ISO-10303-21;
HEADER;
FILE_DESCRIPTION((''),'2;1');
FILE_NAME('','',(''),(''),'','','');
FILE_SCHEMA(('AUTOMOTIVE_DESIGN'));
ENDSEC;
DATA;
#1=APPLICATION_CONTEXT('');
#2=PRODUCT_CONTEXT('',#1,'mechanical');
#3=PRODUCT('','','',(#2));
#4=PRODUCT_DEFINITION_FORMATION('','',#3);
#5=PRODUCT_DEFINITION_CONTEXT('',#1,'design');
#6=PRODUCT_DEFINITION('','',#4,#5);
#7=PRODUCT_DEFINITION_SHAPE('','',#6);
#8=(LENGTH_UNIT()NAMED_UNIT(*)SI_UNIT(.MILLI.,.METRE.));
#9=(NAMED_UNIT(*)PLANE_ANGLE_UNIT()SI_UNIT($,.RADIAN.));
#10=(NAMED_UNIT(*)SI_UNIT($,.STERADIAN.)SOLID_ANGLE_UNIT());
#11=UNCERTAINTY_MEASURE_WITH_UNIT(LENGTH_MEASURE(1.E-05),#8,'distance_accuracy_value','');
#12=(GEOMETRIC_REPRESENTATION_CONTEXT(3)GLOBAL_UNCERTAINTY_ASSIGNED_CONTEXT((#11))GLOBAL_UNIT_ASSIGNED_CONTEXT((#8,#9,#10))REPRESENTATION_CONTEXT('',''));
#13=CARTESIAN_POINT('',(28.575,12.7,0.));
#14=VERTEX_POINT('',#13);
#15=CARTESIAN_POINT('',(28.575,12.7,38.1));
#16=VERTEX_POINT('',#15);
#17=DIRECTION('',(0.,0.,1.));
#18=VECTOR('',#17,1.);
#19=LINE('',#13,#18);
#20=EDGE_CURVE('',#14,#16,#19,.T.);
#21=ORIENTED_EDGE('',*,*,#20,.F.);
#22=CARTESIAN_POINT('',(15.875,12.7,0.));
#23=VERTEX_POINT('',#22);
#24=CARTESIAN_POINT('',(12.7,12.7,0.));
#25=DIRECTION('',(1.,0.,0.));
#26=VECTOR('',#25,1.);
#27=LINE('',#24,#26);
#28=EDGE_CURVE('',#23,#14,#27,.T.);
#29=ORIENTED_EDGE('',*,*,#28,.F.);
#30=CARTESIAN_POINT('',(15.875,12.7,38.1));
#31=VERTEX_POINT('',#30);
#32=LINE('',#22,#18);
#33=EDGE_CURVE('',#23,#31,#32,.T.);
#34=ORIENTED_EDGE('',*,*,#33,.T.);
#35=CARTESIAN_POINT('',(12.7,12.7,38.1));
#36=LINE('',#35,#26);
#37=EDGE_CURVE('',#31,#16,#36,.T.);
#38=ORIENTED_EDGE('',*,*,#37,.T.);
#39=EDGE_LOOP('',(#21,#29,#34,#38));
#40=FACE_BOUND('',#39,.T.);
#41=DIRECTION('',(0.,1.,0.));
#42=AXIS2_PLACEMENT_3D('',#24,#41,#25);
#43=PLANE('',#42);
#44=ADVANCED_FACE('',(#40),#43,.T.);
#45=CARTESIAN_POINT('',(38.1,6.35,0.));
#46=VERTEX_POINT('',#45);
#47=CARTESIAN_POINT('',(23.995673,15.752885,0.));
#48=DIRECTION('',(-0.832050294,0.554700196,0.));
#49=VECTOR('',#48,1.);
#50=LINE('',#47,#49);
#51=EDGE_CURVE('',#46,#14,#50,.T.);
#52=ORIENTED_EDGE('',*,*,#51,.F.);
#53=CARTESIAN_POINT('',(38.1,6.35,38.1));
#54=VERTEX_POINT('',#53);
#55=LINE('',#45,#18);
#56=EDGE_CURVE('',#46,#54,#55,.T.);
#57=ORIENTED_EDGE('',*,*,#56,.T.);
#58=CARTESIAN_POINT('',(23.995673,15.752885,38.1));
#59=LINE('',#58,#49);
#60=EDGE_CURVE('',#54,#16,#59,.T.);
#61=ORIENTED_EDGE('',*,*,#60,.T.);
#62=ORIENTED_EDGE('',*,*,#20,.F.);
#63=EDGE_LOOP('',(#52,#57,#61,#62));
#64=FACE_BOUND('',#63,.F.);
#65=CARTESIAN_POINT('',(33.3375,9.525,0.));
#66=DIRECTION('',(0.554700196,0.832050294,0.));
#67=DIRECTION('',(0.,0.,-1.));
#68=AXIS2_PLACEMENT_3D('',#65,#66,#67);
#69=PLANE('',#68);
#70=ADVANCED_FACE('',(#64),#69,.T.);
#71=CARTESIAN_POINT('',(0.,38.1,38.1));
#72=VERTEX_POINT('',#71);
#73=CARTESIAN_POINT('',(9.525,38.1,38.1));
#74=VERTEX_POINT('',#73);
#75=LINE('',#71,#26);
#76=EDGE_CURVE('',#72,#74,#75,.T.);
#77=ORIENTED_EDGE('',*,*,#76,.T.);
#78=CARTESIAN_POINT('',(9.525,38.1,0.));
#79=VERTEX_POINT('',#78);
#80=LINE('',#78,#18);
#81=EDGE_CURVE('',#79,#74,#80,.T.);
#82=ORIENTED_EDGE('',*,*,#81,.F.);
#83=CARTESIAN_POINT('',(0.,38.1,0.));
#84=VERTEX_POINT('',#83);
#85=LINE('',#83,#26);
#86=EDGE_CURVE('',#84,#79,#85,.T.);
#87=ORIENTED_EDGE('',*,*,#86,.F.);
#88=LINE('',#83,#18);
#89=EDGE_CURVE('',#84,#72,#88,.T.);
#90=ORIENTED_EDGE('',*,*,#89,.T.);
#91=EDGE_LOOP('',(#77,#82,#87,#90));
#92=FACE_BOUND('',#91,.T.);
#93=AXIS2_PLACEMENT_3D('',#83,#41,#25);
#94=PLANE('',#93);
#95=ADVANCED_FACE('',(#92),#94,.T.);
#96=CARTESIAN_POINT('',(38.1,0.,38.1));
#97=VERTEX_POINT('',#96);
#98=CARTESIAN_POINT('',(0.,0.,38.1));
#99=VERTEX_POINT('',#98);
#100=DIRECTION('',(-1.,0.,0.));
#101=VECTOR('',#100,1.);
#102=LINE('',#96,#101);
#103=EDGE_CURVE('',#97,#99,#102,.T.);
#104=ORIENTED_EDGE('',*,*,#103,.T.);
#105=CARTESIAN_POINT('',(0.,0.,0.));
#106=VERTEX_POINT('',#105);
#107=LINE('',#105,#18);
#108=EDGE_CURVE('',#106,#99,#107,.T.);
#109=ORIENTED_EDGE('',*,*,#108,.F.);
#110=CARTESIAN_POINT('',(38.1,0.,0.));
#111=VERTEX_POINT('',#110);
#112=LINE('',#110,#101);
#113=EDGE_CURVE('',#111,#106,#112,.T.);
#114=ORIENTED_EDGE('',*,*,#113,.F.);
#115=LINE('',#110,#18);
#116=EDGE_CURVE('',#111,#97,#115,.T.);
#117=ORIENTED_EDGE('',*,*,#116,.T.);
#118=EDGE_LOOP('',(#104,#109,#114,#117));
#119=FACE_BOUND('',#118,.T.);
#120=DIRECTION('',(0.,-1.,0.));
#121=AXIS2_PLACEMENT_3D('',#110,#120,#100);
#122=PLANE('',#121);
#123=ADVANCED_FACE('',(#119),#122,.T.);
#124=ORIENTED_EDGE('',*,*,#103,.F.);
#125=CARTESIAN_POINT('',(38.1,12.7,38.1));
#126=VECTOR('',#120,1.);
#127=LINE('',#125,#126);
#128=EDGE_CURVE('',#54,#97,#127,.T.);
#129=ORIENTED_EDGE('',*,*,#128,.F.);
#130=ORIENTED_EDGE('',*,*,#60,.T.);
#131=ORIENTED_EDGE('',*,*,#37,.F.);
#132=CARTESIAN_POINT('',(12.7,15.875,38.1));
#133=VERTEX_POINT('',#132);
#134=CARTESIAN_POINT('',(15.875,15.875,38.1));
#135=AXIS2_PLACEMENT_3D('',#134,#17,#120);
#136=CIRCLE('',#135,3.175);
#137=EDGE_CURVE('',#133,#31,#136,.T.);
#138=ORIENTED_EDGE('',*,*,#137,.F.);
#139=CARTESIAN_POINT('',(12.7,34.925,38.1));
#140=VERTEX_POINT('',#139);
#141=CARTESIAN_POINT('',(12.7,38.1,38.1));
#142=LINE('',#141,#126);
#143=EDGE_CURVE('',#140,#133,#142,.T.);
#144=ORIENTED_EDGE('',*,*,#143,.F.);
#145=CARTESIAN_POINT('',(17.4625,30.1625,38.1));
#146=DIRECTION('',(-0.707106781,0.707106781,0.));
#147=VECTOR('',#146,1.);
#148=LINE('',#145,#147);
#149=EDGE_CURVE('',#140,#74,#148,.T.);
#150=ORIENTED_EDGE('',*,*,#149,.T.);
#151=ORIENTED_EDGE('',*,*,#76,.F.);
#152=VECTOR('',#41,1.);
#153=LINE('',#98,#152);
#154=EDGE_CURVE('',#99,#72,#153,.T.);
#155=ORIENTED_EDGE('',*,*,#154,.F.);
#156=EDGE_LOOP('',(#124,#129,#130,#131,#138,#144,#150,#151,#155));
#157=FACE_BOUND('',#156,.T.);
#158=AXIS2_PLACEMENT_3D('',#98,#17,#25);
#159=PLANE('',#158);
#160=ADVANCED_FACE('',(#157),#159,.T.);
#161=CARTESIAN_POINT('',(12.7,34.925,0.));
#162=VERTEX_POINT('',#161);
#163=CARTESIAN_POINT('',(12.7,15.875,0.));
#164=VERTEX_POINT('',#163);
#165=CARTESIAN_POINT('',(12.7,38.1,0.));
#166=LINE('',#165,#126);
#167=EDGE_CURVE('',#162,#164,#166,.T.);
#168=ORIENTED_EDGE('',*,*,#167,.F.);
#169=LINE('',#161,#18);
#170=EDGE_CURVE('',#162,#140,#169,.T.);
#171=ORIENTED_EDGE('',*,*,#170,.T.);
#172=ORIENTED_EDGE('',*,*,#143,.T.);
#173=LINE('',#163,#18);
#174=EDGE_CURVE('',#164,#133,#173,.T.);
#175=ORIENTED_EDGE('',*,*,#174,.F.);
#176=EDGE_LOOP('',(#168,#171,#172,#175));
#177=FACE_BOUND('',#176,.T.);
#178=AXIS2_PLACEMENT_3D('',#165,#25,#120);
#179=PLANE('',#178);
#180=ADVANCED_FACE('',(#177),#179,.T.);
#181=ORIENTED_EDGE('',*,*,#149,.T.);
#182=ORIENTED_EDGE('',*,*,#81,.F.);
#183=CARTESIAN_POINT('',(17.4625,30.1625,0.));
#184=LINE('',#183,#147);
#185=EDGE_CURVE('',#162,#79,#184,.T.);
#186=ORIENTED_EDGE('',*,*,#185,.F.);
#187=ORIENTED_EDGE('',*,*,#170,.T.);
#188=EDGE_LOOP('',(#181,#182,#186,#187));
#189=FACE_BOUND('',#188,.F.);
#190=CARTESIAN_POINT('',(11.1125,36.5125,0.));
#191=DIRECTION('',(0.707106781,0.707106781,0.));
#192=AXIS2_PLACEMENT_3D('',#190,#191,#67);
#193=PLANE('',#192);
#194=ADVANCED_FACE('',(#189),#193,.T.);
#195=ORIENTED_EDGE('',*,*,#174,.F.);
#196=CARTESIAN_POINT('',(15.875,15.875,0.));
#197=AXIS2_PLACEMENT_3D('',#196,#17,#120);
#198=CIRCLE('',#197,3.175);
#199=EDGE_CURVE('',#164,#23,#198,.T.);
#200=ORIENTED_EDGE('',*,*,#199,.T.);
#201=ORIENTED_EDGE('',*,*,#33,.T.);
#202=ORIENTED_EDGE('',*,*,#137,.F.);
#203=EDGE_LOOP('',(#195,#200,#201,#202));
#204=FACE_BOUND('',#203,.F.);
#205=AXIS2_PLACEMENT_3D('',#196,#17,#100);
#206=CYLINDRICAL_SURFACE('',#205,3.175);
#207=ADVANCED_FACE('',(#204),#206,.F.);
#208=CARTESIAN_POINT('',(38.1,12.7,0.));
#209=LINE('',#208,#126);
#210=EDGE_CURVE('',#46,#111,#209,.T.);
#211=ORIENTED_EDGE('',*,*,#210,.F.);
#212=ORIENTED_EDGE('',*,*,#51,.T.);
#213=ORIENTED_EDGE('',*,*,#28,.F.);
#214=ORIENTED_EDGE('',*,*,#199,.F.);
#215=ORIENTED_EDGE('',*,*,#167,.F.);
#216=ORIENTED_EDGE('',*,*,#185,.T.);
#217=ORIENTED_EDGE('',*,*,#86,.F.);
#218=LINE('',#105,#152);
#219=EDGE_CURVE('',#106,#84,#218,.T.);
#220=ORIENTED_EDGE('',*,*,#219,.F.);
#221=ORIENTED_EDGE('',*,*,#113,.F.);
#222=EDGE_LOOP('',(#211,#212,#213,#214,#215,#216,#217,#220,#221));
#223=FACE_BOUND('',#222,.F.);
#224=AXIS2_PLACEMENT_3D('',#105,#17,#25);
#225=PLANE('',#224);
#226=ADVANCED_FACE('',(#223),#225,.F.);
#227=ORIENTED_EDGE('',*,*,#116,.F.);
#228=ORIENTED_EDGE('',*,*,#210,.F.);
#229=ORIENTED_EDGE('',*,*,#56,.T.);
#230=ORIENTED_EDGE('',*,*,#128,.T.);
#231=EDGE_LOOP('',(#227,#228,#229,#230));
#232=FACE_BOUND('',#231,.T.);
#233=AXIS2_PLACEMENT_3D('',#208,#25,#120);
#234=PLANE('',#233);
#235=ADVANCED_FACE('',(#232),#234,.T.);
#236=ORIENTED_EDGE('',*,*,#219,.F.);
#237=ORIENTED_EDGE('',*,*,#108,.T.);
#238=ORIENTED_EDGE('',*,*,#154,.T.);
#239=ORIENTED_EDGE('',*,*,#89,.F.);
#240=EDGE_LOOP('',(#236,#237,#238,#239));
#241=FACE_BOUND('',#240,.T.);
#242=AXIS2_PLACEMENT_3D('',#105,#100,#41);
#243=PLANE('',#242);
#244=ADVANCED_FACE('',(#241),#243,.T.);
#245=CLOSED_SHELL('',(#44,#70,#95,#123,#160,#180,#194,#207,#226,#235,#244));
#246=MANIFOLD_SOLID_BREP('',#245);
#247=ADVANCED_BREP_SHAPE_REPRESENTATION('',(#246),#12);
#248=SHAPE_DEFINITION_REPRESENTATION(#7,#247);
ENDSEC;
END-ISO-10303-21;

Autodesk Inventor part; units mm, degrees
ref_plane "YZ Plane" through (0, 0, 0) normal (1, 0, 0) x (0, 1, 0)
ref_plane "XZ Plane" through (0, 0, 0) normal (0, 1, 0) x (-1, 0, 0)
ref_plane "XY Plane" through (0, 0, 0) normal (0, 0, 1) x (1, 0, 0)
sketch "Sketch1" plane through (0, 0, 0) normal (0, 0, 1) x (1, 0, 0)
  line L0 (0, 0) -> (0, 38.1)
  line L1 (0, 38.1) -> (12.7, 38.1)
  line L2 (12.7, 38.1) -> (12.7, 12.7)
  line L3 (12.7, 12.7) -> (38.1, 12.7)
  line L4 (38.1, 12.7) -> (38.1, 0)
  line L5 (38.1, 0) -> (0, 0)
  dimension "d0" = 38.1
  dimension "d1" = 25.4
  dimension "d2" = 38.1
  dimension "d3" = 12.7
extrude "Extrusion1" add sketch "Sketch1" along normal blind 38.1
fillet "Fillet1" radius 3.175 1 edges at (12.7, 12.7, 19.05)
chamfer "Chamfer1" distance 3.175 angle 45 1 edges at (12.7, 38.1, 19.05)
chamfer "Chamfer2" distance 6.35 distance2 9.525 1 edges at (38.1, 12.7, 19.05) measured on face at (38.1, 8.4667, 12.7)
properties part number "5.2b Fillet Chamfer"
